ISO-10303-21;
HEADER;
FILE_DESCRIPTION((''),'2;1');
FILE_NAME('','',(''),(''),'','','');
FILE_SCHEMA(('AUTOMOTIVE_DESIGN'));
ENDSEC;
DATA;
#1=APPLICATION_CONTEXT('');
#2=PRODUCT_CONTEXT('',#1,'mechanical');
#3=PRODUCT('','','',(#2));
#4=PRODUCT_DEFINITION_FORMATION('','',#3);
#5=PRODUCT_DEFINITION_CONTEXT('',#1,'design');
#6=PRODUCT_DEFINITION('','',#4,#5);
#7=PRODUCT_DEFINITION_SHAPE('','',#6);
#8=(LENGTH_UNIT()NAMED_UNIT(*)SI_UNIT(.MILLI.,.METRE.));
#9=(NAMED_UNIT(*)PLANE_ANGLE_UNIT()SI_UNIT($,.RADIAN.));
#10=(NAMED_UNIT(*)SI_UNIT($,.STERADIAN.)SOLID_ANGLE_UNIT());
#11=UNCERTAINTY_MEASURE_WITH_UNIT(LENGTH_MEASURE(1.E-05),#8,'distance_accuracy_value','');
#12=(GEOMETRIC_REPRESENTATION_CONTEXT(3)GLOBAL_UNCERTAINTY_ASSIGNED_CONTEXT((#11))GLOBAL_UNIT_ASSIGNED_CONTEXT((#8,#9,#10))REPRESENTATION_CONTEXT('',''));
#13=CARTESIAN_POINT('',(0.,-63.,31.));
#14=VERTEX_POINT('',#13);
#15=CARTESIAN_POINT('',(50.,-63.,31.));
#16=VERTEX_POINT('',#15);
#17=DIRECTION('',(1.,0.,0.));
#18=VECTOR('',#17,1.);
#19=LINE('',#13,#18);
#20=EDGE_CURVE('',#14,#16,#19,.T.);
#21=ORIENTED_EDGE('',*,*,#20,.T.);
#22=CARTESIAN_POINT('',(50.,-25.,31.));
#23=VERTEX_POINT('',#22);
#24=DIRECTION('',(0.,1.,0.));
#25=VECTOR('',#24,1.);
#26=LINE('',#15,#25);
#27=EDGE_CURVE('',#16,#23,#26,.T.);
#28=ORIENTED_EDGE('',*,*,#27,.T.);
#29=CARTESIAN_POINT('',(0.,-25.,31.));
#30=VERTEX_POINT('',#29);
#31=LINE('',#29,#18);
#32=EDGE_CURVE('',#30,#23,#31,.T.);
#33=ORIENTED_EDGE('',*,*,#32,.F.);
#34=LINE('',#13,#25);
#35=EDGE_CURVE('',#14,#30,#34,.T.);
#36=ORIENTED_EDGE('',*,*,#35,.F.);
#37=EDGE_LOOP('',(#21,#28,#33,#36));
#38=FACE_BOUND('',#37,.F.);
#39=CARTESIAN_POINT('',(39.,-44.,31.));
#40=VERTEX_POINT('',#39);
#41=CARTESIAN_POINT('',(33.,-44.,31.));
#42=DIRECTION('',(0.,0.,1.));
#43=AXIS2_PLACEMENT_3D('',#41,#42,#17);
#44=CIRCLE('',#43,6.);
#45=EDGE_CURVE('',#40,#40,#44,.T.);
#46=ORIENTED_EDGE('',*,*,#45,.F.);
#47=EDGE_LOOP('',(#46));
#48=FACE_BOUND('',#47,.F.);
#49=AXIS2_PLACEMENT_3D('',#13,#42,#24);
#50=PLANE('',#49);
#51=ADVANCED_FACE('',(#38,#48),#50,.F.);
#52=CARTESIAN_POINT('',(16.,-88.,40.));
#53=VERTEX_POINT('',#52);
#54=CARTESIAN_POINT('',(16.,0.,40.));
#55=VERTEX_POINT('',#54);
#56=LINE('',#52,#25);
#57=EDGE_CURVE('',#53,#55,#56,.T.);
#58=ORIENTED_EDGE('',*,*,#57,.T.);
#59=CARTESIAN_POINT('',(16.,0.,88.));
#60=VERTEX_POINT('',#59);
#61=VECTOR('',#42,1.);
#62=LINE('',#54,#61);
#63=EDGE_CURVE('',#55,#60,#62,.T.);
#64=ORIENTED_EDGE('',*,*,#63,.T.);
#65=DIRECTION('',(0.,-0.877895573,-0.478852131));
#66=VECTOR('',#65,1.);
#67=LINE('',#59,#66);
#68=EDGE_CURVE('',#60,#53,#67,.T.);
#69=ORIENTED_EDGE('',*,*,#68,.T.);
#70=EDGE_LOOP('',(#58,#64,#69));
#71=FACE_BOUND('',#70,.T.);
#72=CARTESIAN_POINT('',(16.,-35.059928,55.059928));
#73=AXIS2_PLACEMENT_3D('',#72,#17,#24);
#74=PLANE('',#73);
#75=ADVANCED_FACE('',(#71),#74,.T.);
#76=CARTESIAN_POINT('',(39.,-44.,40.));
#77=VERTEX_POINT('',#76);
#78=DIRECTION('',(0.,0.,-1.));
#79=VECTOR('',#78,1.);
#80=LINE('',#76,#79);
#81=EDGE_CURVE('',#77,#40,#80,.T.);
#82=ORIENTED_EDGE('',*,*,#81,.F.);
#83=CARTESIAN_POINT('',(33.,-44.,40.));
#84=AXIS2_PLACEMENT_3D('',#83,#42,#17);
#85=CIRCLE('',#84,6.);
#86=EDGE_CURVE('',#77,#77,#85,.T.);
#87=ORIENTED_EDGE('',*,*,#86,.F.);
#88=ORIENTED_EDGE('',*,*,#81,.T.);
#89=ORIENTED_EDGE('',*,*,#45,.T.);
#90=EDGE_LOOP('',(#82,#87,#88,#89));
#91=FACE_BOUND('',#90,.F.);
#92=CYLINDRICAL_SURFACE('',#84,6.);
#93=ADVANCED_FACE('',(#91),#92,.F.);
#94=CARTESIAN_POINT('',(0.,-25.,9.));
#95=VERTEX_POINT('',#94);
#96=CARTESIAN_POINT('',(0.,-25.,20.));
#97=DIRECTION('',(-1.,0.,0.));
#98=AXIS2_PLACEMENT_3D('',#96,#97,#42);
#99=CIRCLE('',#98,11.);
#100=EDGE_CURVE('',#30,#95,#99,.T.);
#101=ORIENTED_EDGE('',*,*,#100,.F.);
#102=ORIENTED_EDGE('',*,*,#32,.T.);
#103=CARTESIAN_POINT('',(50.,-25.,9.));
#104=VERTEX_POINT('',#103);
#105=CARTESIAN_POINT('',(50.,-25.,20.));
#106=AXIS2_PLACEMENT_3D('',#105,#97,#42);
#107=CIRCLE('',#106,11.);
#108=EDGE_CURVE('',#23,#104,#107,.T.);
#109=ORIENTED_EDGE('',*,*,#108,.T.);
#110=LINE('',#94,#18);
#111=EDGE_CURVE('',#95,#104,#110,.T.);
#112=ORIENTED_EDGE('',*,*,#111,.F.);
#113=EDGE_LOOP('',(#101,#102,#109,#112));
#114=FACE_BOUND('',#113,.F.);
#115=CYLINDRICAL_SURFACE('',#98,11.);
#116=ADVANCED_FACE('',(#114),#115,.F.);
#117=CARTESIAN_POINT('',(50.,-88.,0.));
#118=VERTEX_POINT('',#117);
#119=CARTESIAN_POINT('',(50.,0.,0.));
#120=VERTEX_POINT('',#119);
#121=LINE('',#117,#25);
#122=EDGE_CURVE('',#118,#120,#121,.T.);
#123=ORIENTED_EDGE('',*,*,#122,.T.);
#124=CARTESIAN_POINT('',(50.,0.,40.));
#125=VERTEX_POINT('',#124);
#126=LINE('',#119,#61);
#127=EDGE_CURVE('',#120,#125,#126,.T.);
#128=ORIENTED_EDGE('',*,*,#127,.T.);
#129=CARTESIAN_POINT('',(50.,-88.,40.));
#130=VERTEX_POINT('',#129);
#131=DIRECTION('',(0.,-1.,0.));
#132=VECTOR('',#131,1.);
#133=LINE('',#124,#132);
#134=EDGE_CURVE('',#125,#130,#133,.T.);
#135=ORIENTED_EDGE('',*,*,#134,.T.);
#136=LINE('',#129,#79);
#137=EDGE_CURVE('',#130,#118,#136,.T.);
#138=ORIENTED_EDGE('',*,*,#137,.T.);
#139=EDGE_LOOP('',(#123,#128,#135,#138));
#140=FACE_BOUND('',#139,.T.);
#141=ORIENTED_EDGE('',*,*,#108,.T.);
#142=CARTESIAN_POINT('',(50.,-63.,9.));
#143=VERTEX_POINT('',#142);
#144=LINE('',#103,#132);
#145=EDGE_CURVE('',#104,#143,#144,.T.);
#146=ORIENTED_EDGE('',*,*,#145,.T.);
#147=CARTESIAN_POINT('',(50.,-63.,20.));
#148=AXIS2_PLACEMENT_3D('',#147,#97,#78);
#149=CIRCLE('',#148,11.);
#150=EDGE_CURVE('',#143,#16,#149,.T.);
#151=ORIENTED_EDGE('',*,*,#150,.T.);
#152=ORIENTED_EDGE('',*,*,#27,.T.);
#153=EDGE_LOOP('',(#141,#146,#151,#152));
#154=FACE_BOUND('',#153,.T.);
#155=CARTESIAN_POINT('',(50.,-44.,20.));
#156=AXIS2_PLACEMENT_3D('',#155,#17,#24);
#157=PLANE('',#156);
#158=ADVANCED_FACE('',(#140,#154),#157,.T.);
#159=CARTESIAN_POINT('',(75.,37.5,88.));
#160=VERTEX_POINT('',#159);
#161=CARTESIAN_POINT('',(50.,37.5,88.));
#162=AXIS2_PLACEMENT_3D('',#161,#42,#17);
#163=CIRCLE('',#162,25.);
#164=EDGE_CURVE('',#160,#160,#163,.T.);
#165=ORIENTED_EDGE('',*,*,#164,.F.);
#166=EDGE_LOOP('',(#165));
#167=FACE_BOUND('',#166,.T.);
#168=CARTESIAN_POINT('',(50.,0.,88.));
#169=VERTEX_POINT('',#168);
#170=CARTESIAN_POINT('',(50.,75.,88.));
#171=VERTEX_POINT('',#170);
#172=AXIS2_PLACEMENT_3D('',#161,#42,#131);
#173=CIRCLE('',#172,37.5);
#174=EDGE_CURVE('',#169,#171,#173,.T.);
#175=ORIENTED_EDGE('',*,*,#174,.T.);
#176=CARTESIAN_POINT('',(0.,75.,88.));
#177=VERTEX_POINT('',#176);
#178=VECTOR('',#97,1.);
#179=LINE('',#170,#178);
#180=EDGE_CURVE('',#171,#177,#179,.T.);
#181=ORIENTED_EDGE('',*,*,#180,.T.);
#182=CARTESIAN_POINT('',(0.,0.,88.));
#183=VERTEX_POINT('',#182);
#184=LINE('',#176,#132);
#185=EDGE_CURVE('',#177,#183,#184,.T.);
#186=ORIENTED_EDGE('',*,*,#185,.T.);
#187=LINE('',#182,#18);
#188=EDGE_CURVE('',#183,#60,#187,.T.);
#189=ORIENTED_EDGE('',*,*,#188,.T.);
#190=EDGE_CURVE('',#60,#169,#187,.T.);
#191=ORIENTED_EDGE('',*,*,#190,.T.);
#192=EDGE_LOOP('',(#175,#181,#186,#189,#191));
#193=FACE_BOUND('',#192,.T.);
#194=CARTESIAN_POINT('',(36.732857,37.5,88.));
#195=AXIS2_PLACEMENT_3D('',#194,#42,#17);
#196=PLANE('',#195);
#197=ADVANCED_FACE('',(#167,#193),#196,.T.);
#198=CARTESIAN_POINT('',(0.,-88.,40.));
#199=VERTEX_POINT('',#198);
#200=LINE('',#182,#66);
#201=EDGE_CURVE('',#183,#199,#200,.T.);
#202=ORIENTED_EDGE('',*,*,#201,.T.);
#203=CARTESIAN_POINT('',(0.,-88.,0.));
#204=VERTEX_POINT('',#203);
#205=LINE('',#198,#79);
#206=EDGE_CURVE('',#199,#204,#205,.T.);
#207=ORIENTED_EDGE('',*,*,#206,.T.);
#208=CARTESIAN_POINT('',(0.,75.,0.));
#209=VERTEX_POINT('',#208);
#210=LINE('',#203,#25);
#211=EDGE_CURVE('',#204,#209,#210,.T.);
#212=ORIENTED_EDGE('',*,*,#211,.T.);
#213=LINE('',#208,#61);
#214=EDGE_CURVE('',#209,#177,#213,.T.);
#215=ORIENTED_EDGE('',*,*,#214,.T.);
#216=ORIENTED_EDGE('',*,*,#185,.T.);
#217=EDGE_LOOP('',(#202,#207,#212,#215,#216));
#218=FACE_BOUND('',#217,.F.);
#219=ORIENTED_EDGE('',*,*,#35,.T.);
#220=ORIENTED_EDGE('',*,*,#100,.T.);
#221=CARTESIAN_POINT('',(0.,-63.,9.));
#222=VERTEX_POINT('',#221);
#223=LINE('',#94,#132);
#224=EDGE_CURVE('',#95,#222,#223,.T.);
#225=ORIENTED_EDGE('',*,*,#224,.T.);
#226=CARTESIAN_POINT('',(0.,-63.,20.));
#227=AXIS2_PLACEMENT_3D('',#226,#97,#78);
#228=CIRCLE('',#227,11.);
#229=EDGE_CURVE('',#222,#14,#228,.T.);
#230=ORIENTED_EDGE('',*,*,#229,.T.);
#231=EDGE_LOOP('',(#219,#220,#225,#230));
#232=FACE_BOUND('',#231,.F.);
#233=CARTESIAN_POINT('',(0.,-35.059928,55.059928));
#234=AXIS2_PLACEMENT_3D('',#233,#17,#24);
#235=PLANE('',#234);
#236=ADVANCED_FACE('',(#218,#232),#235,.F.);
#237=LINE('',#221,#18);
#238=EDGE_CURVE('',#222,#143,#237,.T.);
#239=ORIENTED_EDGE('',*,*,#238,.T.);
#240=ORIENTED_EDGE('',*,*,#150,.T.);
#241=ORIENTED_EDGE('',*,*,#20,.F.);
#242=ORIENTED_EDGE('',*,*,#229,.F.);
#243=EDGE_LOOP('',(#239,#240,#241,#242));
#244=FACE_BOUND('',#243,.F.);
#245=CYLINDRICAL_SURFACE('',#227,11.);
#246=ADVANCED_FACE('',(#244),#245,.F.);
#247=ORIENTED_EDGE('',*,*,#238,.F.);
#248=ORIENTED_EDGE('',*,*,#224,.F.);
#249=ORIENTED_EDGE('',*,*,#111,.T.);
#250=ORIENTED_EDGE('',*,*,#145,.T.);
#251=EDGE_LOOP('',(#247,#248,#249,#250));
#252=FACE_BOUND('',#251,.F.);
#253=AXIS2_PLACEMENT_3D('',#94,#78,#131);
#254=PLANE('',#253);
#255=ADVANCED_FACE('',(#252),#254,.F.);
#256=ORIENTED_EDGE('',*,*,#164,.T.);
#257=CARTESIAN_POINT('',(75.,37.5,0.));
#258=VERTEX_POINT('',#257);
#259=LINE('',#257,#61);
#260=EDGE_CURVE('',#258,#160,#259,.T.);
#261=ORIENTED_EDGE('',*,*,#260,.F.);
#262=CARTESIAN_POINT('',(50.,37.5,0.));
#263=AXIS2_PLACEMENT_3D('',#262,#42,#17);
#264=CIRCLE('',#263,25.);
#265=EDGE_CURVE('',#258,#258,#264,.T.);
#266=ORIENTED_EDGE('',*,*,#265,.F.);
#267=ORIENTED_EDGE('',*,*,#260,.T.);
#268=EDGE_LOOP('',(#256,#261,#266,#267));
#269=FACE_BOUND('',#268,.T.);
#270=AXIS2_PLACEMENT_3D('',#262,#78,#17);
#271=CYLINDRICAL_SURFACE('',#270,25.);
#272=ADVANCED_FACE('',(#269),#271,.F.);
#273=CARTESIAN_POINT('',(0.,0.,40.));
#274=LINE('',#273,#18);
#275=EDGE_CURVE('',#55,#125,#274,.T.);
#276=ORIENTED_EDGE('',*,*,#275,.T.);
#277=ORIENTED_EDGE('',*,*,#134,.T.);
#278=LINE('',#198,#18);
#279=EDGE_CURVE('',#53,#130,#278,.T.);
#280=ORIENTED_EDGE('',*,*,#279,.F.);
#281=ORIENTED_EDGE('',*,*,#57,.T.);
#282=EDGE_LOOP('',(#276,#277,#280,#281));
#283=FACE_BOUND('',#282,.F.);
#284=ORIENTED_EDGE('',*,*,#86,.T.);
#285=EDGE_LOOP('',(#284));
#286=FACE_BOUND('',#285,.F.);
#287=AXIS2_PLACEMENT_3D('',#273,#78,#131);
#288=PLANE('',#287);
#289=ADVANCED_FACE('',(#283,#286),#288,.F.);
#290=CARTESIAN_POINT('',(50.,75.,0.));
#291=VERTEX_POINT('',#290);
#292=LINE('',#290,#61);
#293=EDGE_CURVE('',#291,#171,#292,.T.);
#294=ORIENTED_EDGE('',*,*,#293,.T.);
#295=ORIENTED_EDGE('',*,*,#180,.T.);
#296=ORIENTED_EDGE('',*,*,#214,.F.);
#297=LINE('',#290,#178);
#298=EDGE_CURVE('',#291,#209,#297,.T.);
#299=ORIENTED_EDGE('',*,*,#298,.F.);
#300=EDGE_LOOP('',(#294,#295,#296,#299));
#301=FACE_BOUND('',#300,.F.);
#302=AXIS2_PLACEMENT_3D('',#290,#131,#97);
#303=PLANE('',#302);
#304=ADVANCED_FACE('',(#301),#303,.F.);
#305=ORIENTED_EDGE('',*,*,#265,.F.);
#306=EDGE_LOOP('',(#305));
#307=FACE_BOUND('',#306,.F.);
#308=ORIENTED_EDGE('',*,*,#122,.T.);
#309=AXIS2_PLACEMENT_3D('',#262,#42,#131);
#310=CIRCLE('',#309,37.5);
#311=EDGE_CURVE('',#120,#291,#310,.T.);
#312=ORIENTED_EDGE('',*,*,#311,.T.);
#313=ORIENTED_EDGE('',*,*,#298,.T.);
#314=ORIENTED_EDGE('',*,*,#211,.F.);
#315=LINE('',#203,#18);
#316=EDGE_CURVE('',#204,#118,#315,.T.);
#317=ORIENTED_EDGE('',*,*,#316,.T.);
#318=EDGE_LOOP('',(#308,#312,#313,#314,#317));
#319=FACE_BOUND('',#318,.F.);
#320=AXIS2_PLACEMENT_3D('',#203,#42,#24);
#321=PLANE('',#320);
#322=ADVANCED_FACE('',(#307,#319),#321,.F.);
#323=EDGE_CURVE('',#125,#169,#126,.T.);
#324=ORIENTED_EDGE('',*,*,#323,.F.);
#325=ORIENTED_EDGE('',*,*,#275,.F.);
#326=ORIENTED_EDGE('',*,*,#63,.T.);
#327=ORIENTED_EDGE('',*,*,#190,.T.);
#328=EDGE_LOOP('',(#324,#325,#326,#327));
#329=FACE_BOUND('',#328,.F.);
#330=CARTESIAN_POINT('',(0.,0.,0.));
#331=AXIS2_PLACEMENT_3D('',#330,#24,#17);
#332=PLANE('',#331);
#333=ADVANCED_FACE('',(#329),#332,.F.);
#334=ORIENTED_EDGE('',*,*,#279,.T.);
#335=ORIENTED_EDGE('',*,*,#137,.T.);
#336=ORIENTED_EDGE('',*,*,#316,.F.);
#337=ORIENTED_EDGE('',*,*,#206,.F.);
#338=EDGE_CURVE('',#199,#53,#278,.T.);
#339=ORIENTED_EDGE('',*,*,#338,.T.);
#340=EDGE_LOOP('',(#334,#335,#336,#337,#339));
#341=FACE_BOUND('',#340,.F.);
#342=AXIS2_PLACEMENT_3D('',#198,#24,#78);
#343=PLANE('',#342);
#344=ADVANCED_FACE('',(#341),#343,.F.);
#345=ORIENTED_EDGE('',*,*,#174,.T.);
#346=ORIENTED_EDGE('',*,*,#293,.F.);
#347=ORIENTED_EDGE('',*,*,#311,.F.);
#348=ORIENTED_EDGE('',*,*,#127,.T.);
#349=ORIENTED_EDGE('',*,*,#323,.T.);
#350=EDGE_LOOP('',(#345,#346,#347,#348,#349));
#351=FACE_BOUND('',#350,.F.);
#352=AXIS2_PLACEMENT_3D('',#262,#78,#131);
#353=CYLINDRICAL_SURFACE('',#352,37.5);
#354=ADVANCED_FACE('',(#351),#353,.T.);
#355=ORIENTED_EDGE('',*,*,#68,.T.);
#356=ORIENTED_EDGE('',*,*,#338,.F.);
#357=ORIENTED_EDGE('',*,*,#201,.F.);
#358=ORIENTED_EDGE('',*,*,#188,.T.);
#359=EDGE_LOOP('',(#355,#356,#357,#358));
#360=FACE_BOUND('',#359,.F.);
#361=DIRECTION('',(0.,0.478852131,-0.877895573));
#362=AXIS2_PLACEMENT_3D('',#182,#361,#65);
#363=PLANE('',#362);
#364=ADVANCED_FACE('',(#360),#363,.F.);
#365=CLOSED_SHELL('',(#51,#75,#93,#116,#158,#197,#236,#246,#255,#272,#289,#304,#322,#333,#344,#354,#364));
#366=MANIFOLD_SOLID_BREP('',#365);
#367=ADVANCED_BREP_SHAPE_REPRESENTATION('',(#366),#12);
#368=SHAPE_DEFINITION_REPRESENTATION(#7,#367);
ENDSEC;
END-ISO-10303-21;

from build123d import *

# Parameters (mm, degrees)
F0_R     = 25
F1_DEPTH = 88
F3_DEPTH = 50
F5_DEPTH = 16
F6_R     = 6
F7_DEPTH = 9


with BuildPart() as f1:
    # F0 (on Top) → F1 (new body)
    with BuildSketch(Plane.XY):
        with BuildLine():
            Line((0, 75), (0, 0))
            Line((0, 0), (50, 0))
            ThreePointArc((50, 0), (87.5, 37.5), (50, 75))
            Line((50, 75), (0, 75))
        make_face()
        with Locations((50, 37.5)):
            Circle(F0_R, mode=Mode.SUBTRACT)
    extrude(amount=F1_DEPTH)

    # F2 (on Right) → F3 (join)
    with BuildSketch(Plane.YZ):
        Polygon((-88, 0), (0, 0), (0, 20), (0, 40), (-88, 40), (-88, 20), align=None)
        with BuildLine():
            ThreePointArc((-25, 31), (-14, 20), (-25, 9))
            Line((-25, 9), (-63, 9))
            ThreePointArc((-63, 9), (-74, 20), (-63, 31))
            Line((-63, 31), (-25, 31))
        make_face(mode=Mode.SUBTRACT)
    extrude(amount=F3_DEPTH)

    # F4 (on Right) → F5 (join)
    with BuildSketch(Plane.YZ):
        Polygon((-88, 40), (0, 40), (0, 88), align=None)
    extrude(amount=F5_DEPTH)

    # F6 (on face) → F7 (cut, through all)
    with BuildSketch(Plane.XY.offset(40)):
        with Locations((33, -44)):
            Circle(F6_R)
    extrude(amount=-F7_DEPTH, mode=Mode.SUBTRACT)


solid = f1.part
